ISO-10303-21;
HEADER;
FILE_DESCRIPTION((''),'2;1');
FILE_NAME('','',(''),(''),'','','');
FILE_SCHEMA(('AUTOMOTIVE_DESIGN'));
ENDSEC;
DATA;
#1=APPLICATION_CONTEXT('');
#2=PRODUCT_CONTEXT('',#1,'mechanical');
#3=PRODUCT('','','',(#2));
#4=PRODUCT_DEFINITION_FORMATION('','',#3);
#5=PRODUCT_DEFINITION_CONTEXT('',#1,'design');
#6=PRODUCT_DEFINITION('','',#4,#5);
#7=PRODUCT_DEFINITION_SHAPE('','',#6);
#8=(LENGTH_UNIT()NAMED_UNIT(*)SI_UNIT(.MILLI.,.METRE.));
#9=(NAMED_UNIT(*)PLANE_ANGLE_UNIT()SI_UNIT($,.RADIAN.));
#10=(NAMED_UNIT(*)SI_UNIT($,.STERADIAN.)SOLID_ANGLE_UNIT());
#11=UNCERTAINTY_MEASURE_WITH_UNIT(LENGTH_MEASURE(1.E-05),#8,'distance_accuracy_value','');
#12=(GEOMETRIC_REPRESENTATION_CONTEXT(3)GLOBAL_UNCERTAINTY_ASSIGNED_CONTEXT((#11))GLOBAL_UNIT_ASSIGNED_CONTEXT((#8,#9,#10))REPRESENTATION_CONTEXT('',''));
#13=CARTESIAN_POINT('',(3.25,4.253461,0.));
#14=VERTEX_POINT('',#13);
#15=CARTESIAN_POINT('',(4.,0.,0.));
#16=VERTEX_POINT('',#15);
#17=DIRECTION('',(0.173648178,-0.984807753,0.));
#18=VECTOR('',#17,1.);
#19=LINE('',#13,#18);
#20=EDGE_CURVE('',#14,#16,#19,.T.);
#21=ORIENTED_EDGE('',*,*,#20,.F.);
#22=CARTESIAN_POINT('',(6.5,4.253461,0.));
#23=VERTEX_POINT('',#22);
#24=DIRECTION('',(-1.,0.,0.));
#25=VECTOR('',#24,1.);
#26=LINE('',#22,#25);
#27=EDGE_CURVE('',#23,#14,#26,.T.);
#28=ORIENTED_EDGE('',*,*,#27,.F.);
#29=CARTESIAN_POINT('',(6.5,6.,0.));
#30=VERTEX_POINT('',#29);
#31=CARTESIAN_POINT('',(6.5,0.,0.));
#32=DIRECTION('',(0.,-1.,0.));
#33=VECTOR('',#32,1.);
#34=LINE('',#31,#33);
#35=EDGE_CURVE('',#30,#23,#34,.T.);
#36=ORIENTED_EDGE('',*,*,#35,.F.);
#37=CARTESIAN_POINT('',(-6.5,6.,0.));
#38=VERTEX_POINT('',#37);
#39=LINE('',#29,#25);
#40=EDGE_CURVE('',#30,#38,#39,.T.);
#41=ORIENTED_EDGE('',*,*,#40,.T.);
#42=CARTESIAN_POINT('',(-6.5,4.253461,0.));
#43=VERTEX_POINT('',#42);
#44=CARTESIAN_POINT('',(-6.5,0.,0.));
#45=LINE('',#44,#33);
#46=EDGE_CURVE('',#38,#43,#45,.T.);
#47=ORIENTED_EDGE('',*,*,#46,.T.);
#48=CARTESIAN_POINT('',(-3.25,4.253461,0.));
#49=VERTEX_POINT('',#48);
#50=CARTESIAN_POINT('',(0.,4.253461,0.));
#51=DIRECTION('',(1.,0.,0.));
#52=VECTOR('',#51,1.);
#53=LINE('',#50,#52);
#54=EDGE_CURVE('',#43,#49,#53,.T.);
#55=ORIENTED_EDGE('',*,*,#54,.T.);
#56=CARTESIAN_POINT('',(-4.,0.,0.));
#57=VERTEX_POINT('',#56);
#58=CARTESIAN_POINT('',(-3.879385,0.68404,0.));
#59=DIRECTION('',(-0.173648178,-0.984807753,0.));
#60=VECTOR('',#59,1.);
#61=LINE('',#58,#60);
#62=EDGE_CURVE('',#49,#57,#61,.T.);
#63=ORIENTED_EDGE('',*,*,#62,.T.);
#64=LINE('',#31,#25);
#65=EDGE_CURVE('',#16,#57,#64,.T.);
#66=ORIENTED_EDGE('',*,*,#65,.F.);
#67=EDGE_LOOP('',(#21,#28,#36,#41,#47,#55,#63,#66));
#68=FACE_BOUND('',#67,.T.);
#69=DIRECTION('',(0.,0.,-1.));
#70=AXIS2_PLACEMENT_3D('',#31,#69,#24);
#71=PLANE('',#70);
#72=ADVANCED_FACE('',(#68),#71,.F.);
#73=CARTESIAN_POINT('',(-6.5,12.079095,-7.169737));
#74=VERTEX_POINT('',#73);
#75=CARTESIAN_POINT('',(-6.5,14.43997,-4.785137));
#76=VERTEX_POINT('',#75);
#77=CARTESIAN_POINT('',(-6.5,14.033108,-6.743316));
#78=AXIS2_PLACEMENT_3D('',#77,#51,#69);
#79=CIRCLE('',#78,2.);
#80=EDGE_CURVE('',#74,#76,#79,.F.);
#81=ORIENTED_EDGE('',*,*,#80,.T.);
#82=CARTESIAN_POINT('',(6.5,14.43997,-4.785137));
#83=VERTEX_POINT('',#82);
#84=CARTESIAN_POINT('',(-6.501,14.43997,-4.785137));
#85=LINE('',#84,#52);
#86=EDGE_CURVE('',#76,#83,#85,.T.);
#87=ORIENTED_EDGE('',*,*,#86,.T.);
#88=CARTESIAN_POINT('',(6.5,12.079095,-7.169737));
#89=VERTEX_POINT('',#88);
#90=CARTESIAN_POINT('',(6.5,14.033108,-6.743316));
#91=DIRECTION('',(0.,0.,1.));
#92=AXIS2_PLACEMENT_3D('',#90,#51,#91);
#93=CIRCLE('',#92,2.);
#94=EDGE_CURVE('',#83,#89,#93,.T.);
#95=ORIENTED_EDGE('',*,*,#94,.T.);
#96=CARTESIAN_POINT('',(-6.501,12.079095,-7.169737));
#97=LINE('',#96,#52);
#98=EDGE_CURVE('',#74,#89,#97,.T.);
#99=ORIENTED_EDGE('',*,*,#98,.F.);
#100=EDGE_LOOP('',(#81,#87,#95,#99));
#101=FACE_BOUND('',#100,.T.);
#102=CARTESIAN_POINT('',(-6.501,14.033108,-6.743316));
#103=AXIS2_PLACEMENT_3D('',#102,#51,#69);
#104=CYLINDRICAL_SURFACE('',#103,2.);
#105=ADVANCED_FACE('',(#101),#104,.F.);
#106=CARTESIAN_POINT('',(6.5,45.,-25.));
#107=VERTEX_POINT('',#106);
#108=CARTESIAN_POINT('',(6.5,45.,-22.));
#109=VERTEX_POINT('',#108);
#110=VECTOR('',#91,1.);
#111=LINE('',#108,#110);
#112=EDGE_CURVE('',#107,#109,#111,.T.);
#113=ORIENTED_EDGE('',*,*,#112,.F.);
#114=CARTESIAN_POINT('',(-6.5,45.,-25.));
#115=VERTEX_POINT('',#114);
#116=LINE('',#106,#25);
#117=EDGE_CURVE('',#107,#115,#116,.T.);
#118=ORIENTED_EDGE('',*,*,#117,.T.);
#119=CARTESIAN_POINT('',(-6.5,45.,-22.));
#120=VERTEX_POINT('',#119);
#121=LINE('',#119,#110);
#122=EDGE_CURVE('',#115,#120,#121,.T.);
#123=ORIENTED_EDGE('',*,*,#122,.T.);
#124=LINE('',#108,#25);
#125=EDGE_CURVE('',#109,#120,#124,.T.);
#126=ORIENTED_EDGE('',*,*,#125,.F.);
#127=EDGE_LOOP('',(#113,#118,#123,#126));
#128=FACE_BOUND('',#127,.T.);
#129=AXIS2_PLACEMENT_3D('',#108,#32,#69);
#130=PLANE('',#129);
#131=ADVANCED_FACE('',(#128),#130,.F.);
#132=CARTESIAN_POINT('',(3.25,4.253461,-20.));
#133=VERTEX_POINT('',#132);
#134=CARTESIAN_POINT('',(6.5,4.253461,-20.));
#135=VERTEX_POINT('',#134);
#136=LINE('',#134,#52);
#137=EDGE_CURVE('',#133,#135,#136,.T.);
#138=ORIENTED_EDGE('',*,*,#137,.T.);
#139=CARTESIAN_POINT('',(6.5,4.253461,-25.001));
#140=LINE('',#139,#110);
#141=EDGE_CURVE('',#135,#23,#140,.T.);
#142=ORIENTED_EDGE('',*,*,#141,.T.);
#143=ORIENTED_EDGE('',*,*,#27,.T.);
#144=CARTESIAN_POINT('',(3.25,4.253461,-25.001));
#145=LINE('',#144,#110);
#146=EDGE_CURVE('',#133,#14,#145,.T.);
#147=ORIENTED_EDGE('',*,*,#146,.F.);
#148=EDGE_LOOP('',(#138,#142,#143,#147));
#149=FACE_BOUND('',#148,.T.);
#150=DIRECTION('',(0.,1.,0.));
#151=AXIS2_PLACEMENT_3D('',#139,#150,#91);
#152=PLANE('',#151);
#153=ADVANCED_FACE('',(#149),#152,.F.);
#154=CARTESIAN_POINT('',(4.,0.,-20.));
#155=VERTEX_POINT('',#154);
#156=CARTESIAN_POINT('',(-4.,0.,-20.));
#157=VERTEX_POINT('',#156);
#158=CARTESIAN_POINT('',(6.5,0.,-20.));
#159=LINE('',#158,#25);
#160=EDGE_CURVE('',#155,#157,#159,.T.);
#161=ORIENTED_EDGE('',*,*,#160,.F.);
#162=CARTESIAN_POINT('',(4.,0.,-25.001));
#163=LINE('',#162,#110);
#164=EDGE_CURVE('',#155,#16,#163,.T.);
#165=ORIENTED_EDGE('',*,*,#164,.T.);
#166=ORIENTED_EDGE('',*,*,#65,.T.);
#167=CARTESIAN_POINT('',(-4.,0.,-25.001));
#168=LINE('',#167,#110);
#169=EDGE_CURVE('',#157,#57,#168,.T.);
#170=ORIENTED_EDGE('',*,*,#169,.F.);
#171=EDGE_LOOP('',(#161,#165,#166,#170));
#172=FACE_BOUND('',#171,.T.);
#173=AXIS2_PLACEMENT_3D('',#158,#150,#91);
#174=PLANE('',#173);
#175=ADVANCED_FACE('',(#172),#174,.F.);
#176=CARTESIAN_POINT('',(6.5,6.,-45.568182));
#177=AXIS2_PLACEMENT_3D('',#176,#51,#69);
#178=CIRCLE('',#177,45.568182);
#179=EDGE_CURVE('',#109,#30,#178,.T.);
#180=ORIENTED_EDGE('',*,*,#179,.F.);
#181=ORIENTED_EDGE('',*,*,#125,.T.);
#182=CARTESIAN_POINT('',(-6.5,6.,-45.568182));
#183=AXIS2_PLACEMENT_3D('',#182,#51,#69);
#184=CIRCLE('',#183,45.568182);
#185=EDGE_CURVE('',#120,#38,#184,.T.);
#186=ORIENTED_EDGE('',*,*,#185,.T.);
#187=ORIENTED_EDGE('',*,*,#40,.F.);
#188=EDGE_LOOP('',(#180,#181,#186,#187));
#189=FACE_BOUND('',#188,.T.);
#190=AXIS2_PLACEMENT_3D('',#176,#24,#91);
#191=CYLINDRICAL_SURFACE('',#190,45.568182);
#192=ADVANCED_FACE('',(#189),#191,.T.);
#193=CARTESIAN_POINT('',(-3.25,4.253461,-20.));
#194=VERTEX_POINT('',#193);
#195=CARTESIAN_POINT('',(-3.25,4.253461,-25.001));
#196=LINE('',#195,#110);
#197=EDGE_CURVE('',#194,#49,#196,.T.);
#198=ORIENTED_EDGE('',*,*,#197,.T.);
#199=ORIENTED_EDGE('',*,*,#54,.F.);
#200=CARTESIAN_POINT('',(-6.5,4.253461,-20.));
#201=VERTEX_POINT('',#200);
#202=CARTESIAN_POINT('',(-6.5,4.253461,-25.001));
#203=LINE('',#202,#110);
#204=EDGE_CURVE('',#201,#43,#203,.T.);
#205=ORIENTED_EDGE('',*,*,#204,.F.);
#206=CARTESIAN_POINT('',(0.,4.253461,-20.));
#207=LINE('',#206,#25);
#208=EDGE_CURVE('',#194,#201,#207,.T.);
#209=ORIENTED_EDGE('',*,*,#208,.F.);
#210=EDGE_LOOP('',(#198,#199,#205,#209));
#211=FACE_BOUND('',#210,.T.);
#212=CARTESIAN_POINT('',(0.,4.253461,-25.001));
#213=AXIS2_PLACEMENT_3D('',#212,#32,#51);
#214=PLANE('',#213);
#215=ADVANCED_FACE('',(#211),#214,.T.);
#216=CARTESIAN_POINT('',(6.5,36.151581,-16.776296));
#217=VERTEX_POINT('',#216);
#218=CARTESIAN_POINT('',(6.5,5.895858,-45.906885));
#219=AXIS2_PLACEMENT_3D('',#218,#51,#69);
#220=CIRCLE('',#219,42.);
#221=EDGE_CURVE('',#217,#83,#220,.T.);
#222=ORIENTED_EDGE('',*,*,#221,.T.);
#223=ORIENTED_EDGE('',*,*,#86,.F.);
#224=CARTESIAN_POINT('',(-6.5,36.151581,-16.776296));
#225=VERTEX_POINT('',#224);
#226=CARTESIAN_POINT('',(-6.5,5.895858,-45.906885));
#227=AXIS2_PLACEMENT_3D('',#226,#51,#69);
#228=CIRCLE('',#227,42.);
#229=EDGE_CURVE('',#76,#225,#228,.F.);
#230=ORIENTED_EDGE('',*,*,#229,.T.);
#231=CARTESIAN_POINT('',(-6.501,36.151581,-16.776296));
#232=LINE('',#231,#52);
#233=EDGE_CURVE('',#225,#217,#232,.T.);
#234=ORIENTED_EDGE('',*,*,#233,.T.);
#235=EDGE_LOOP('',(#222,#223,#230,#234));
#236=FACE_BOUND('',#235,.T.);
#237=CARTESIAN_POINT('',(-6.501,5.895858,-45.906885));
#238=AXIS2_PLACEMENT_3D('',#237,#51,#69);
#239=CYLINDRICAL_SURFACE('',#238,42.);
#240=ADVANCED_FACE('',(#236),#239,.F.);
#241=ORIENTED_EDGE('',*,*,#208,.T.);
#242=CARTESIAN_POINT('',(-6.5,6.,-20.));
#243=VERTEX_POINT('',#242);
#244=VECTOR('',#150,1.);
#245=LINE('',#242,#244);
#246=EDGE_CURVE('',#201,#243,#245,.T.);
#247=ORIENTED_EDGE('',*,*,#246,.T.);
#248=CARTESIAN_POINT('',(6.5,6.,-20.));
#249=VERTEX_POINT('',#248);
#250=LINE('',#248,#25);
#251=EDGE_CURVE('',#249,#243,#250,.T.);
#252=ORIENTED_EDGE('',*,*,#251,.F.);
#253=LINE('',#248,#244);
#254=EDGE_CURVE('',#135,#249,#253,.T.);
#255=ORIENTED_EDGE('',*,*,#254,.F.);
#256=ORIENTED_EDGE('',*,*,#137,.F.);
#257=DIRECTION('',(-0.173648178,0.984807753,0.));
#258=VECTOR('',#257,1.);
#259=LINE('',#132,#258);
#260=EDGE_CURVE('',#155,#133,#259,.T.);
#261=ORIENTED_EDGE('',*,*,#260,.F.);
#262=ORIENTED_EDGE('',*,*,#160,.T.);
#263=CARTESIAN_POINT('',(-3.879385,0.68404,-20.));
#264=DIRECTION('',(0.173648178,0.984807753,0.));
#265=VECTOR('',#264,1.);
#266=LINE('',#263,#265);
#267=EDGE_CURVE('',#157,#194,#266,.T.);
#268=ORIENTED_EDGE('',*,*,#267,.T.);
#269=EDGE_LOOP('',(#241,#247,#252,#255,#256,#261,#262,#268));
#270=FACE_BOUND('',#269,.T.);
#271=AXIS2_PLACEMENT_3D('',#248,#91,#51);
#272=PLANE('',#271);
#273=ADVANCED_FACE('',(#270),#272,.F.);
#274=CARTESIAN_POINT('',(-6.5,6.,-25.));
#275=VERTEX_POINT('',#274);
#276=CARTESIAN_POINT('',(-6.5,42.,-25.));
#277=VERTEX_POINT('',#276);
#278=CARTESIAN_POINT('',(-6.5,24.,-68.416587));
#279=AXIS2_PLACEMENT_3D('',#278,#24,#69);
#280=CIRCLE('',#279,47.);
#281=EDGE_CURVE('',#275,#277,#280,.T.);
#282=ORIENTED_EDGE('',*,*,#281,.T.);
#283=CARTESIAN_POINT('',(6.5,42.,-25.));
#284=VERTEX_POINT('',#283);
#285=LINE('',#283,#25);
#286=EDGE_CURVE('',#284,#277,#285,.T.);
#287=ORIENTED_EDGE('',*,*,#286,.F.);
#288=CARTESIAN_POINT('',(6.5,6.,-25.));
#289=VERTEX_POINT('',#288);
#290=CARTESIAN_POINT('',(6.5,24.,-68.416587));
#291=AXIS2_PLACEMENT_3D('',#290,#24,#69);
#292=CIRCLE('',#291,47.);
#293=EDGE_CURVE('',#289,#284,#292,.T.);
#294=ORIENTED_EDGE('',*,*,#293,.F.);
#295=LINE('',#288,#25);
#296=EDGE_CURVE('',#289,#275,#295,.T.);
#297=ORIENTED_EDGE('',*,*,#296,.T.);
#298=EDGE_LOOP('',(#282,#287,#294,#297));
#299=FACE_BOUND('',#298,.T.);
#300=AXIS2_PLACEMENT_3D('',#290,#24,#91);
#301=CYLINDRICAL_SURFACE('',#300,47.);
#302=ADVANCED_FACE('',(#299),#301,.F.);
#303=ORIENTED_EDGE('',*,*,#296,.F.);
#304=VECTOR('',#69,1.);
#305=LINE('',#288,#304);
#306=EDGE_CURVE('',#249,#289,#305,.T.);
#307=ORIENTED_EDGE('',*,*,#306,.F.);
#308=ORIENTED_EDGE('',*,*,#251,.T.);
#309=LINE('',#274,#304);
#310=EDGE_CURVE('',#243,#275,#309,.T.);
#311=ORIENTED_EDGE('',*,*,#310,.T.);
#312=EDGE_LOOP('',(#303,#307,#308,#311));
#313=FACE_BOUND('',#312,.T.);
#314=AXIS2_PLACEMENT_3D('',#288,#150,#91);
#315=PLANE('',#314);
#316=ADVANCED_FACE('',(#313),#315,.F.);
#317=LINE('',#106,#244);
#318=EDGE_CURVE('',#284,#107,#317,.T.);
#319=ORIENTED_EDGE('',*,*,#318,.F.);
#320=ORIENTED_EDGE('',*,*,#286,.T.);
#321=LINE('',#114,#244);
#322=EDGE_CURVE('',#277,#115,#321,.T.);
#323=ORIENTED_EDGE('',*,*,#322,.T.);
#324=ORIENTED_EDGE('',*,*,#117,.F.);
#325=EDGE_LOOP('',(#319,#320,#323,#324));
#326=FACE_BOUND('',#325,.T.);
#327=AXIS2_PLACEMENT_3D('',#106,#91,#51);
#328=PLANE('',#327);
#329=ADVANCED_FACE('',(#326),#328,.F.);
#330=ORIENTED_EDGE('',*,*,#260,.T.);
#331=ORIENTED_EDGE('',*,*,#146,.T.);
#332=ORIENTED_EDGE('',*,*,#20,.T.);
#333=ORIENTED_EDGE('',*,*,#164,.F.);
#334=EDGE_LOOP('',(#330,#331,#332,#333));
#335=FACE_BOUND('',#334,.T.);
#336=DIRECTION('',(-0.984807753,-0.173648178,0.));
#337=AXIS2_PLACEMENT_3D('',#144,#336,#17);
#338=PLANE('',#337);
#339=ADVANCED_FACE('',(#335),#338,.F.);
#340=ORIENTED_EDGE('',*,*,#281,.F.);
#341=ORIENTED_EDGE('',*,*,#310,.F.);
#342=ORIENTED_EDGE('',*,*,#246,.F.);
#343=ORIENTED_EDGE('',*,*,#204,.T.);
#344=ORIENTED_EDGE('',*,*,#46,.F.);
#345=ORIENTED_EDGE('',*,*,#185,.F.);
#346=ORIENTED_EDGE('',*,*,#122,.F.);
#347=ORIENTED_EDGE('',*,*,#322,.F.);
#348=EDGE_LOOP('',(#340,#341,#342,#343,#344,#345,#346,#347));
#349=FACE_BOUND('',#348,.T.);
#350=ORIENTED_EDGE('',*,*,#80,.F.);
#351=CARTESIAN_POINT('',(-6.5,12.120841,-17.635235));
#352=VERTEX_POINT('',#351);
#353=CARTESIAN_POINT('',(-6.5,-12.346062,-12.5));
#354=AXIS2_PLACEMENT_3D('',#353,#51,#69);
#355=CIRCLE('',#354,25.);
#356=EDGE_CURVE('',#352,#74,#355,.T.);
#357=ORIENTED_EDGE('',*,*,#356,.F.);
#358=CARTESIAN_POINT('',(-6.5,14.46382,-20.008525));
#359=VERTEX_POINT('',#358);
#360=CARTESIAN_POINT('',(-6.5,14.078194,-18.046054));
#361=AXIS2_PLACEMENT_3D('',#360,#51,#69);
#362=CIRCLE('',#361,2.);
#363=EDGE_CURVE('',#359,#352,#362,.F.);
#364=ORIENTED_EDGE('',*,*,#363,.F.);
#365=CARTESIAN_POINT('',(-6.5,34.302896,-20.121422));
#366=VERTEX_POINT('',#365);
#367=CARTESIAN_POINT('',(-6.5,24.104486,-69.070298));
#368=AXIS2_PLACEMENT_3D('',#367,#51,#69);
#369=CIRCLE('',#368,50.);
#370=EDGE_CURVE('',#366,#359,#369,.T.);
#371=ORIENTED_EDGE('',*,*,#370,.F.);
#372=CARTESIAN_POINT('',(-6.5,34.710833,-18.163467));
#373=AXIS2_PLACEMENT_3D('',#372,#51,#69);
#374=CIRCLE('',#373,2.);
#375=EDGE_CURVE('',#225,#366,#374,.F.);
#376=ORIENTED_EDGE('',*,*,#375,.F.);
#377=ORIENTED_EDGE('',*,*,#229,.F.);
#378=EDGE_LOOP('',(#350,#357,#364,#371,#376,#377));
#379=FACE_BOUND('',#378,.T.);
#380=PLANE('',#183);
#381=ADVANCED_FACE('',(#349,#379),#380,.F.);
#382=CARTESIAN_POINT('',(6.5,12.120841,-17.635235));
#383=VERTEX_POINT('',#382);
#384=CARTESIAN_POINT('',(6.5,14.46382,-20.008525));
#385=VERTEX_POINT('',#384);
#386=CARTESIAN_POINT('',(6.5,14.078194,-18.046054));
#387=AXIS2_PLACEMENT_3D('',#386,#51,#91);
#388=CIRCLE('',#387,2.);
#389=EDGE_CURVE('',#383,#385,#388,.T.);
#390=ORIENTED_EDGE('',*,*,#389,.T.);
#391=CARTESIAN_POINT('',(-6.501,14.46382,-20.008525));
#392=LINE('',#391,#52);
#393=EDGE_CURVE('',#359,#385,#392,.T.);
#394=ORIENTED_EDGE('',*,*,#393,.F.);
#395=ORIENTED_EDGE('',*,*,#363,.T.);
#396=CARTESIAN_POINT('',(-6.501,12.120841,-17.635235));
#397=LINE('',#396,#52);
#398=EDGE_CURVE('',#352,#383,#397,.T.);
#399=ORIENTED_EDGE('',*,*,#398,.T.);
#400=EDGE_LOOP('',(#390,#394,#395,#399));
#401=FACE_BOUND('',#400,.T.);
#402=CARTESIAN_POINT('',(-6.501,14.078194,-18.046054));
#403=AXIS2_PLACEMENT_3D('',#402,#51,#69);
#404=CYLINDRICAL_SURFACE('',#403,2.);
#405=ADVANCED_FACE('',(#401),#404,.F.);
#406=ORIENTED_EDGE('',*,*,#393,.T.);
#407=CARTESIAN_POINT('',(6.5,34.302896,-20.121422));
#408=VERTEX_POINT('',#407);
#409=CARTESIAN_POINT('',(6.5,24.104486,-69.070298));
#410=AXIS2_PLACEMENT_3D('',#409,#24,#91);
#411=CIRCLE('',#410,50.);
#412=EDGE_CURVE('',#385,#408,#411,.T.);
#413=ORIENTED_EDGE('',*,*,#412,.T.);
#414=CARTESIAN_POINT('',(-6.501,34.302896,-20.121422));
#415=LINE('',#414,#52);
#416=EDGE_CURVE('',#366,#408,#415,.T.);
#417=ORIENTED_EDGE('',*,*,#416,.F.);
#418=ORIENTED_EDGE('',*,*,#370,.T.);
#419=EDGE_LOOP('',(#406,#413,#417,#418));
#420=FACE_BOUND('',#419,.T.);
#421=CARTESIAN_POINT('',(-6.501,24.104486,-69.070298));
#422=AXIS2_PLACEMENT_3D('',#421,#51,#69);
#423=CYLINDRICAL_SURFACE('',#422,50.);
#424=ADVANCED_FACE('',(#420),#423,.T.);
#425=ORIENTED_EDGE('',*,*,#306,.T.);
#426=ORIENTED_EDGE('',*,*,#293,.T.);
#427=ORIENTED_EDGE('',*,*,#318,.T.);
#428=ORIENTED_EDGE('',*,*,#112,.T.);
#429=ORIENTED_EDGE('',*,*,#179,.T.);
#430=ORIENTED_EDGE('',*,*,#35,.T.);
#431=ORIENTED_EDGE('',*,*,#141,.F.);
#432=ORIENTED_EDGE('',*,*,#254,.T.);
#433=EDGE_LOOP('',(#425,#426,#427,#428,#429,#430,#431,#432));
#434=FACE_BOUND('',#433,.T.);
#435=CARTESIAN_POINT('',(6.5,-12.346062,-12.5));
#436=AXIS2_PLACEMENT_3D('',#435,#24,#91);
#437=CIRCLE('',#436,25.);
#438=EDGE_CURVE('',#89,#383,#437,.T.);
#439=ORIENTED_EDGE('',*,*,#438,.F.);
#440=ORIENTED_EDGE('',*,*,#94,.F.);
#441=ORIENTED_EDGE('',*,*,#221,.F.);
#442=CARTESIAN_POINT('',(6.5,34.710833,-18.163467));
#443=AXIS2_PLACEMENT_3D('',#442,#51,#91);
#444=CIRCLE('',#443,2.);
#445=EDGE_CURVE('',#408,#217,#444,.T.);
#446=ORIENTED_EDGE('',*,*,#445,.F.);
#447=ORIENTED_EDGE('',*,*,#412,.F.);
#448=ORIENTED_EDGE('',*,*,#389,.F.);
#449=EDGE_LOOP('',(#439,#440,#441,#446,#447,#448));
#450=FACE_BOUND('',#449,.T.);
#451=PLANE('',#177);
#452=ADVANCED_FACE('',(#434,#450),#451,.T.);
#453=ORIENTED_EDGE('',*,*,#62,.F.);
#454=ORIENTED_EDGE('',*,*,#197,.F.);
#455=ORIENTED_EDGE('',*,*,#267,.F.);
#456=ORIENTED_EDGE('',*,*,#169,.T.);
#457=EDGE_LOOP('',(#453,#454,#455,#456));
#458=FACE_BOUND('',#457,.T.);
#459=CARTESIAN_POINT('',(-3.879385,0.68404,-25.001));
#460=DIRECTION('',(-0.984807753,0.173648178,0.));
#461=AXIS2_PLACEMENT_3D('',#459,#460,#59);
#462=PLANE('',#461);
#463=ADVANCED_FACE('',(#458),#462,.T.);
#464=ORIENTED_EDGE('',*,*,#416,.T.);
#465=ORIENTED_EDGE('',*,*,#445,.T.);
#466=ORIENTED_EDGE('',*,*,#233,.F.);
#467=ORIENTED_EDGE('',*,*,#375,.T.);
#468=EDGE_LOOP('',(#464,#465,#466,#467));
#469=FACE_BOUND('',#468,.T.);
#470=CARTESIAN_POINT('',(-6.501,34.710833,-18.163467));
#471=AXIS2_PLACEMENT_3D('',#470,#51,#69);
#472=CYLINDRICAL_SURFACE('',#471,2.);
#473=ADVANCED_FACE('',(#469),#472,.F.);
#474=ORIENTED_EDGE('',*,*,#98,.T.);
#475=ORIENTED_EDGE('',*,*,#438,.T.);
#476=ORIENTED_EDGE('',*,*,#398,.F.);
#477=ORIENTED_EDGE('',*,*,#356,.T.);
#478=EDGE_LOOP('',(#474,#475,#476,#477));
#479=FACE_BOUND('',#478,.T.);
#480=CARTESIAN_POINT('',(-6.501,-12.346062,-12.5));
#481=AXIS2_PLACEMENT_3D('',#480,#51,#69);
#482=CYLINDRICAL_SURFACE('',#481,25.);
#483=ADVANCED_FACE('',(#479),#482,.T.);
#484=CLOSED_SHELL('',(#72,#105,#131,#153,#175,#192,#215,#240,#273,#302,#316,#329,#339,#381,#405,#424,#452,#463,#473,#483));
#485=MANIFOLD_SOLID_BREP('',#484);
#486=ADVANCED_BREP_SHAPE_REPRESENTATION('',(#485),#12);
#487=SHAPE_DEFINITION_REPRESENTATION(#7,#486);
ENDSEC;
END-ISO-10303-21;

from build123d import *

# Parameters (mm, degrees)
EXTRUDE_1_DEPTH     = 6.5
CUT_EXTRUDE_2_REACH = 53.887
CUT_EXTRUDE_3_REACH = 55.094


with BuildPart() as part:
    # 草图1 → 凸台-拉伸1 (new, symmetric)
    with BuildSketch(Plane(origin=(0, 0, 0), x_dir=(0, 0, -1), z_dir=(1, 0, 0))):
        with BuildLine():
            Line((0, 0), (0, 6))
            ThreePointArc((0, 6), (5.87927664, 28.388613177), (22, 45))
            Line((22, 45), (25, 45))
            Line((25, 45), (25, 42))
            ThreePointArc((25, 42), (21.416586692, 24), (25, 6))
            Line((25, 6), (20, 6))
            Line((20, 6), (20, 0))
            Line((20, 0), (0, 0))
        make_face()
    extrude(amount=EXTRUDE_1_DEPTH, both=True)

    # 草图2 → 切除-拉伸2 (cut, up to next)
    with BuildSketch(Plane.XY, mode=Mode.PRIVATE) as cut_extrude_2_sk1:
        Polygon((-6.5, 0), (-4, 0), (-3.25, 4.253461365), (-6.5, 4.253461365), align=None)
    cut_extrude_2_tool1 = extrude(cut_extrude_2_sk1.sketch, amount=-CUT_EXTRUDE_2_REACH, mode=Mode.PRIVATE) & part.part
    # 草图2 → 切除-拉伸2 (cut, up to next)
    with BuildSketch(Plane.XY, mode=Mode.PRIVATE) as cut_extrude_2_sk2:
        Polygon((6.5, 0), (4, 0), (3.25, 4.253461365), (6.5, 4.253461365), align=None)
    cut_extrude_2_tool2 = extrude(cut_extrude_2_sk2.sketch, amount=-CUT_EXTRUDE_2_REACH, mode=Mode.PRIVATE) & part.part
    add(cut_extrude_2_tool1.solids().sort_by_distance((-5.054348, 2.219197, 0))[0], mode=Mode.SUBTRACT)
    add(cut_extrude_2_tool2.solids().sort_by_distance((5.054348, 2.219197, 0))[0], mode=Mode.SUBTRACT)

    # 草图3 → 切除-拉伸3 (cut, up to next)
    with BuildSketch(Plane(origin=(6.5, 0, 0), x_dir=(0, 0, -1), z_dir=(1, 0, 0)), mode=Mode.PRIVATE) as cut_extrude_3_sk1:
        with BuildLine():
            ThreePointArc((7.169736852, 12.07909507), (12.400276965, 12.65373917), (17.63523501, 12.120841452))
            ThreePointArc((17.63523501, 12.120841452), (19.45114939, 12.654920589), (20.008524733, 14.463820333))
            ThreePointArc((20.008524733, 14.463820333), (19.071107342, 24.389014044), (20.121422197, 34.302896243))
            ThreePointArc((20.121422197, 34.302896243), (19.130864623, 36.4613018), (16.77629627, 36.151581393))
            ThreePointArc((16.77629627, 36.151581393), (9.141463638, 26.201122888), (4.785137328, 14.439970103))
            ThreePointArc((4.785137328, 14.439970103), (5.336190032, 12.611841621), (7.169736852, 12.07909507))
        make_face()
    cut_extrude_3_tool1 = extrude(cut_extrude_3_sk1.sketch, amount=-CUT_EXTRUDE_3_REACH, mode=Mode.PRIVATE) & part.part
    add(cut_extrude_3_tool1.solids().sort_by_distance((6.5, 22.129704, -13.663141))[0], mode=Mode.SUBTRACT)


solid = part.part
